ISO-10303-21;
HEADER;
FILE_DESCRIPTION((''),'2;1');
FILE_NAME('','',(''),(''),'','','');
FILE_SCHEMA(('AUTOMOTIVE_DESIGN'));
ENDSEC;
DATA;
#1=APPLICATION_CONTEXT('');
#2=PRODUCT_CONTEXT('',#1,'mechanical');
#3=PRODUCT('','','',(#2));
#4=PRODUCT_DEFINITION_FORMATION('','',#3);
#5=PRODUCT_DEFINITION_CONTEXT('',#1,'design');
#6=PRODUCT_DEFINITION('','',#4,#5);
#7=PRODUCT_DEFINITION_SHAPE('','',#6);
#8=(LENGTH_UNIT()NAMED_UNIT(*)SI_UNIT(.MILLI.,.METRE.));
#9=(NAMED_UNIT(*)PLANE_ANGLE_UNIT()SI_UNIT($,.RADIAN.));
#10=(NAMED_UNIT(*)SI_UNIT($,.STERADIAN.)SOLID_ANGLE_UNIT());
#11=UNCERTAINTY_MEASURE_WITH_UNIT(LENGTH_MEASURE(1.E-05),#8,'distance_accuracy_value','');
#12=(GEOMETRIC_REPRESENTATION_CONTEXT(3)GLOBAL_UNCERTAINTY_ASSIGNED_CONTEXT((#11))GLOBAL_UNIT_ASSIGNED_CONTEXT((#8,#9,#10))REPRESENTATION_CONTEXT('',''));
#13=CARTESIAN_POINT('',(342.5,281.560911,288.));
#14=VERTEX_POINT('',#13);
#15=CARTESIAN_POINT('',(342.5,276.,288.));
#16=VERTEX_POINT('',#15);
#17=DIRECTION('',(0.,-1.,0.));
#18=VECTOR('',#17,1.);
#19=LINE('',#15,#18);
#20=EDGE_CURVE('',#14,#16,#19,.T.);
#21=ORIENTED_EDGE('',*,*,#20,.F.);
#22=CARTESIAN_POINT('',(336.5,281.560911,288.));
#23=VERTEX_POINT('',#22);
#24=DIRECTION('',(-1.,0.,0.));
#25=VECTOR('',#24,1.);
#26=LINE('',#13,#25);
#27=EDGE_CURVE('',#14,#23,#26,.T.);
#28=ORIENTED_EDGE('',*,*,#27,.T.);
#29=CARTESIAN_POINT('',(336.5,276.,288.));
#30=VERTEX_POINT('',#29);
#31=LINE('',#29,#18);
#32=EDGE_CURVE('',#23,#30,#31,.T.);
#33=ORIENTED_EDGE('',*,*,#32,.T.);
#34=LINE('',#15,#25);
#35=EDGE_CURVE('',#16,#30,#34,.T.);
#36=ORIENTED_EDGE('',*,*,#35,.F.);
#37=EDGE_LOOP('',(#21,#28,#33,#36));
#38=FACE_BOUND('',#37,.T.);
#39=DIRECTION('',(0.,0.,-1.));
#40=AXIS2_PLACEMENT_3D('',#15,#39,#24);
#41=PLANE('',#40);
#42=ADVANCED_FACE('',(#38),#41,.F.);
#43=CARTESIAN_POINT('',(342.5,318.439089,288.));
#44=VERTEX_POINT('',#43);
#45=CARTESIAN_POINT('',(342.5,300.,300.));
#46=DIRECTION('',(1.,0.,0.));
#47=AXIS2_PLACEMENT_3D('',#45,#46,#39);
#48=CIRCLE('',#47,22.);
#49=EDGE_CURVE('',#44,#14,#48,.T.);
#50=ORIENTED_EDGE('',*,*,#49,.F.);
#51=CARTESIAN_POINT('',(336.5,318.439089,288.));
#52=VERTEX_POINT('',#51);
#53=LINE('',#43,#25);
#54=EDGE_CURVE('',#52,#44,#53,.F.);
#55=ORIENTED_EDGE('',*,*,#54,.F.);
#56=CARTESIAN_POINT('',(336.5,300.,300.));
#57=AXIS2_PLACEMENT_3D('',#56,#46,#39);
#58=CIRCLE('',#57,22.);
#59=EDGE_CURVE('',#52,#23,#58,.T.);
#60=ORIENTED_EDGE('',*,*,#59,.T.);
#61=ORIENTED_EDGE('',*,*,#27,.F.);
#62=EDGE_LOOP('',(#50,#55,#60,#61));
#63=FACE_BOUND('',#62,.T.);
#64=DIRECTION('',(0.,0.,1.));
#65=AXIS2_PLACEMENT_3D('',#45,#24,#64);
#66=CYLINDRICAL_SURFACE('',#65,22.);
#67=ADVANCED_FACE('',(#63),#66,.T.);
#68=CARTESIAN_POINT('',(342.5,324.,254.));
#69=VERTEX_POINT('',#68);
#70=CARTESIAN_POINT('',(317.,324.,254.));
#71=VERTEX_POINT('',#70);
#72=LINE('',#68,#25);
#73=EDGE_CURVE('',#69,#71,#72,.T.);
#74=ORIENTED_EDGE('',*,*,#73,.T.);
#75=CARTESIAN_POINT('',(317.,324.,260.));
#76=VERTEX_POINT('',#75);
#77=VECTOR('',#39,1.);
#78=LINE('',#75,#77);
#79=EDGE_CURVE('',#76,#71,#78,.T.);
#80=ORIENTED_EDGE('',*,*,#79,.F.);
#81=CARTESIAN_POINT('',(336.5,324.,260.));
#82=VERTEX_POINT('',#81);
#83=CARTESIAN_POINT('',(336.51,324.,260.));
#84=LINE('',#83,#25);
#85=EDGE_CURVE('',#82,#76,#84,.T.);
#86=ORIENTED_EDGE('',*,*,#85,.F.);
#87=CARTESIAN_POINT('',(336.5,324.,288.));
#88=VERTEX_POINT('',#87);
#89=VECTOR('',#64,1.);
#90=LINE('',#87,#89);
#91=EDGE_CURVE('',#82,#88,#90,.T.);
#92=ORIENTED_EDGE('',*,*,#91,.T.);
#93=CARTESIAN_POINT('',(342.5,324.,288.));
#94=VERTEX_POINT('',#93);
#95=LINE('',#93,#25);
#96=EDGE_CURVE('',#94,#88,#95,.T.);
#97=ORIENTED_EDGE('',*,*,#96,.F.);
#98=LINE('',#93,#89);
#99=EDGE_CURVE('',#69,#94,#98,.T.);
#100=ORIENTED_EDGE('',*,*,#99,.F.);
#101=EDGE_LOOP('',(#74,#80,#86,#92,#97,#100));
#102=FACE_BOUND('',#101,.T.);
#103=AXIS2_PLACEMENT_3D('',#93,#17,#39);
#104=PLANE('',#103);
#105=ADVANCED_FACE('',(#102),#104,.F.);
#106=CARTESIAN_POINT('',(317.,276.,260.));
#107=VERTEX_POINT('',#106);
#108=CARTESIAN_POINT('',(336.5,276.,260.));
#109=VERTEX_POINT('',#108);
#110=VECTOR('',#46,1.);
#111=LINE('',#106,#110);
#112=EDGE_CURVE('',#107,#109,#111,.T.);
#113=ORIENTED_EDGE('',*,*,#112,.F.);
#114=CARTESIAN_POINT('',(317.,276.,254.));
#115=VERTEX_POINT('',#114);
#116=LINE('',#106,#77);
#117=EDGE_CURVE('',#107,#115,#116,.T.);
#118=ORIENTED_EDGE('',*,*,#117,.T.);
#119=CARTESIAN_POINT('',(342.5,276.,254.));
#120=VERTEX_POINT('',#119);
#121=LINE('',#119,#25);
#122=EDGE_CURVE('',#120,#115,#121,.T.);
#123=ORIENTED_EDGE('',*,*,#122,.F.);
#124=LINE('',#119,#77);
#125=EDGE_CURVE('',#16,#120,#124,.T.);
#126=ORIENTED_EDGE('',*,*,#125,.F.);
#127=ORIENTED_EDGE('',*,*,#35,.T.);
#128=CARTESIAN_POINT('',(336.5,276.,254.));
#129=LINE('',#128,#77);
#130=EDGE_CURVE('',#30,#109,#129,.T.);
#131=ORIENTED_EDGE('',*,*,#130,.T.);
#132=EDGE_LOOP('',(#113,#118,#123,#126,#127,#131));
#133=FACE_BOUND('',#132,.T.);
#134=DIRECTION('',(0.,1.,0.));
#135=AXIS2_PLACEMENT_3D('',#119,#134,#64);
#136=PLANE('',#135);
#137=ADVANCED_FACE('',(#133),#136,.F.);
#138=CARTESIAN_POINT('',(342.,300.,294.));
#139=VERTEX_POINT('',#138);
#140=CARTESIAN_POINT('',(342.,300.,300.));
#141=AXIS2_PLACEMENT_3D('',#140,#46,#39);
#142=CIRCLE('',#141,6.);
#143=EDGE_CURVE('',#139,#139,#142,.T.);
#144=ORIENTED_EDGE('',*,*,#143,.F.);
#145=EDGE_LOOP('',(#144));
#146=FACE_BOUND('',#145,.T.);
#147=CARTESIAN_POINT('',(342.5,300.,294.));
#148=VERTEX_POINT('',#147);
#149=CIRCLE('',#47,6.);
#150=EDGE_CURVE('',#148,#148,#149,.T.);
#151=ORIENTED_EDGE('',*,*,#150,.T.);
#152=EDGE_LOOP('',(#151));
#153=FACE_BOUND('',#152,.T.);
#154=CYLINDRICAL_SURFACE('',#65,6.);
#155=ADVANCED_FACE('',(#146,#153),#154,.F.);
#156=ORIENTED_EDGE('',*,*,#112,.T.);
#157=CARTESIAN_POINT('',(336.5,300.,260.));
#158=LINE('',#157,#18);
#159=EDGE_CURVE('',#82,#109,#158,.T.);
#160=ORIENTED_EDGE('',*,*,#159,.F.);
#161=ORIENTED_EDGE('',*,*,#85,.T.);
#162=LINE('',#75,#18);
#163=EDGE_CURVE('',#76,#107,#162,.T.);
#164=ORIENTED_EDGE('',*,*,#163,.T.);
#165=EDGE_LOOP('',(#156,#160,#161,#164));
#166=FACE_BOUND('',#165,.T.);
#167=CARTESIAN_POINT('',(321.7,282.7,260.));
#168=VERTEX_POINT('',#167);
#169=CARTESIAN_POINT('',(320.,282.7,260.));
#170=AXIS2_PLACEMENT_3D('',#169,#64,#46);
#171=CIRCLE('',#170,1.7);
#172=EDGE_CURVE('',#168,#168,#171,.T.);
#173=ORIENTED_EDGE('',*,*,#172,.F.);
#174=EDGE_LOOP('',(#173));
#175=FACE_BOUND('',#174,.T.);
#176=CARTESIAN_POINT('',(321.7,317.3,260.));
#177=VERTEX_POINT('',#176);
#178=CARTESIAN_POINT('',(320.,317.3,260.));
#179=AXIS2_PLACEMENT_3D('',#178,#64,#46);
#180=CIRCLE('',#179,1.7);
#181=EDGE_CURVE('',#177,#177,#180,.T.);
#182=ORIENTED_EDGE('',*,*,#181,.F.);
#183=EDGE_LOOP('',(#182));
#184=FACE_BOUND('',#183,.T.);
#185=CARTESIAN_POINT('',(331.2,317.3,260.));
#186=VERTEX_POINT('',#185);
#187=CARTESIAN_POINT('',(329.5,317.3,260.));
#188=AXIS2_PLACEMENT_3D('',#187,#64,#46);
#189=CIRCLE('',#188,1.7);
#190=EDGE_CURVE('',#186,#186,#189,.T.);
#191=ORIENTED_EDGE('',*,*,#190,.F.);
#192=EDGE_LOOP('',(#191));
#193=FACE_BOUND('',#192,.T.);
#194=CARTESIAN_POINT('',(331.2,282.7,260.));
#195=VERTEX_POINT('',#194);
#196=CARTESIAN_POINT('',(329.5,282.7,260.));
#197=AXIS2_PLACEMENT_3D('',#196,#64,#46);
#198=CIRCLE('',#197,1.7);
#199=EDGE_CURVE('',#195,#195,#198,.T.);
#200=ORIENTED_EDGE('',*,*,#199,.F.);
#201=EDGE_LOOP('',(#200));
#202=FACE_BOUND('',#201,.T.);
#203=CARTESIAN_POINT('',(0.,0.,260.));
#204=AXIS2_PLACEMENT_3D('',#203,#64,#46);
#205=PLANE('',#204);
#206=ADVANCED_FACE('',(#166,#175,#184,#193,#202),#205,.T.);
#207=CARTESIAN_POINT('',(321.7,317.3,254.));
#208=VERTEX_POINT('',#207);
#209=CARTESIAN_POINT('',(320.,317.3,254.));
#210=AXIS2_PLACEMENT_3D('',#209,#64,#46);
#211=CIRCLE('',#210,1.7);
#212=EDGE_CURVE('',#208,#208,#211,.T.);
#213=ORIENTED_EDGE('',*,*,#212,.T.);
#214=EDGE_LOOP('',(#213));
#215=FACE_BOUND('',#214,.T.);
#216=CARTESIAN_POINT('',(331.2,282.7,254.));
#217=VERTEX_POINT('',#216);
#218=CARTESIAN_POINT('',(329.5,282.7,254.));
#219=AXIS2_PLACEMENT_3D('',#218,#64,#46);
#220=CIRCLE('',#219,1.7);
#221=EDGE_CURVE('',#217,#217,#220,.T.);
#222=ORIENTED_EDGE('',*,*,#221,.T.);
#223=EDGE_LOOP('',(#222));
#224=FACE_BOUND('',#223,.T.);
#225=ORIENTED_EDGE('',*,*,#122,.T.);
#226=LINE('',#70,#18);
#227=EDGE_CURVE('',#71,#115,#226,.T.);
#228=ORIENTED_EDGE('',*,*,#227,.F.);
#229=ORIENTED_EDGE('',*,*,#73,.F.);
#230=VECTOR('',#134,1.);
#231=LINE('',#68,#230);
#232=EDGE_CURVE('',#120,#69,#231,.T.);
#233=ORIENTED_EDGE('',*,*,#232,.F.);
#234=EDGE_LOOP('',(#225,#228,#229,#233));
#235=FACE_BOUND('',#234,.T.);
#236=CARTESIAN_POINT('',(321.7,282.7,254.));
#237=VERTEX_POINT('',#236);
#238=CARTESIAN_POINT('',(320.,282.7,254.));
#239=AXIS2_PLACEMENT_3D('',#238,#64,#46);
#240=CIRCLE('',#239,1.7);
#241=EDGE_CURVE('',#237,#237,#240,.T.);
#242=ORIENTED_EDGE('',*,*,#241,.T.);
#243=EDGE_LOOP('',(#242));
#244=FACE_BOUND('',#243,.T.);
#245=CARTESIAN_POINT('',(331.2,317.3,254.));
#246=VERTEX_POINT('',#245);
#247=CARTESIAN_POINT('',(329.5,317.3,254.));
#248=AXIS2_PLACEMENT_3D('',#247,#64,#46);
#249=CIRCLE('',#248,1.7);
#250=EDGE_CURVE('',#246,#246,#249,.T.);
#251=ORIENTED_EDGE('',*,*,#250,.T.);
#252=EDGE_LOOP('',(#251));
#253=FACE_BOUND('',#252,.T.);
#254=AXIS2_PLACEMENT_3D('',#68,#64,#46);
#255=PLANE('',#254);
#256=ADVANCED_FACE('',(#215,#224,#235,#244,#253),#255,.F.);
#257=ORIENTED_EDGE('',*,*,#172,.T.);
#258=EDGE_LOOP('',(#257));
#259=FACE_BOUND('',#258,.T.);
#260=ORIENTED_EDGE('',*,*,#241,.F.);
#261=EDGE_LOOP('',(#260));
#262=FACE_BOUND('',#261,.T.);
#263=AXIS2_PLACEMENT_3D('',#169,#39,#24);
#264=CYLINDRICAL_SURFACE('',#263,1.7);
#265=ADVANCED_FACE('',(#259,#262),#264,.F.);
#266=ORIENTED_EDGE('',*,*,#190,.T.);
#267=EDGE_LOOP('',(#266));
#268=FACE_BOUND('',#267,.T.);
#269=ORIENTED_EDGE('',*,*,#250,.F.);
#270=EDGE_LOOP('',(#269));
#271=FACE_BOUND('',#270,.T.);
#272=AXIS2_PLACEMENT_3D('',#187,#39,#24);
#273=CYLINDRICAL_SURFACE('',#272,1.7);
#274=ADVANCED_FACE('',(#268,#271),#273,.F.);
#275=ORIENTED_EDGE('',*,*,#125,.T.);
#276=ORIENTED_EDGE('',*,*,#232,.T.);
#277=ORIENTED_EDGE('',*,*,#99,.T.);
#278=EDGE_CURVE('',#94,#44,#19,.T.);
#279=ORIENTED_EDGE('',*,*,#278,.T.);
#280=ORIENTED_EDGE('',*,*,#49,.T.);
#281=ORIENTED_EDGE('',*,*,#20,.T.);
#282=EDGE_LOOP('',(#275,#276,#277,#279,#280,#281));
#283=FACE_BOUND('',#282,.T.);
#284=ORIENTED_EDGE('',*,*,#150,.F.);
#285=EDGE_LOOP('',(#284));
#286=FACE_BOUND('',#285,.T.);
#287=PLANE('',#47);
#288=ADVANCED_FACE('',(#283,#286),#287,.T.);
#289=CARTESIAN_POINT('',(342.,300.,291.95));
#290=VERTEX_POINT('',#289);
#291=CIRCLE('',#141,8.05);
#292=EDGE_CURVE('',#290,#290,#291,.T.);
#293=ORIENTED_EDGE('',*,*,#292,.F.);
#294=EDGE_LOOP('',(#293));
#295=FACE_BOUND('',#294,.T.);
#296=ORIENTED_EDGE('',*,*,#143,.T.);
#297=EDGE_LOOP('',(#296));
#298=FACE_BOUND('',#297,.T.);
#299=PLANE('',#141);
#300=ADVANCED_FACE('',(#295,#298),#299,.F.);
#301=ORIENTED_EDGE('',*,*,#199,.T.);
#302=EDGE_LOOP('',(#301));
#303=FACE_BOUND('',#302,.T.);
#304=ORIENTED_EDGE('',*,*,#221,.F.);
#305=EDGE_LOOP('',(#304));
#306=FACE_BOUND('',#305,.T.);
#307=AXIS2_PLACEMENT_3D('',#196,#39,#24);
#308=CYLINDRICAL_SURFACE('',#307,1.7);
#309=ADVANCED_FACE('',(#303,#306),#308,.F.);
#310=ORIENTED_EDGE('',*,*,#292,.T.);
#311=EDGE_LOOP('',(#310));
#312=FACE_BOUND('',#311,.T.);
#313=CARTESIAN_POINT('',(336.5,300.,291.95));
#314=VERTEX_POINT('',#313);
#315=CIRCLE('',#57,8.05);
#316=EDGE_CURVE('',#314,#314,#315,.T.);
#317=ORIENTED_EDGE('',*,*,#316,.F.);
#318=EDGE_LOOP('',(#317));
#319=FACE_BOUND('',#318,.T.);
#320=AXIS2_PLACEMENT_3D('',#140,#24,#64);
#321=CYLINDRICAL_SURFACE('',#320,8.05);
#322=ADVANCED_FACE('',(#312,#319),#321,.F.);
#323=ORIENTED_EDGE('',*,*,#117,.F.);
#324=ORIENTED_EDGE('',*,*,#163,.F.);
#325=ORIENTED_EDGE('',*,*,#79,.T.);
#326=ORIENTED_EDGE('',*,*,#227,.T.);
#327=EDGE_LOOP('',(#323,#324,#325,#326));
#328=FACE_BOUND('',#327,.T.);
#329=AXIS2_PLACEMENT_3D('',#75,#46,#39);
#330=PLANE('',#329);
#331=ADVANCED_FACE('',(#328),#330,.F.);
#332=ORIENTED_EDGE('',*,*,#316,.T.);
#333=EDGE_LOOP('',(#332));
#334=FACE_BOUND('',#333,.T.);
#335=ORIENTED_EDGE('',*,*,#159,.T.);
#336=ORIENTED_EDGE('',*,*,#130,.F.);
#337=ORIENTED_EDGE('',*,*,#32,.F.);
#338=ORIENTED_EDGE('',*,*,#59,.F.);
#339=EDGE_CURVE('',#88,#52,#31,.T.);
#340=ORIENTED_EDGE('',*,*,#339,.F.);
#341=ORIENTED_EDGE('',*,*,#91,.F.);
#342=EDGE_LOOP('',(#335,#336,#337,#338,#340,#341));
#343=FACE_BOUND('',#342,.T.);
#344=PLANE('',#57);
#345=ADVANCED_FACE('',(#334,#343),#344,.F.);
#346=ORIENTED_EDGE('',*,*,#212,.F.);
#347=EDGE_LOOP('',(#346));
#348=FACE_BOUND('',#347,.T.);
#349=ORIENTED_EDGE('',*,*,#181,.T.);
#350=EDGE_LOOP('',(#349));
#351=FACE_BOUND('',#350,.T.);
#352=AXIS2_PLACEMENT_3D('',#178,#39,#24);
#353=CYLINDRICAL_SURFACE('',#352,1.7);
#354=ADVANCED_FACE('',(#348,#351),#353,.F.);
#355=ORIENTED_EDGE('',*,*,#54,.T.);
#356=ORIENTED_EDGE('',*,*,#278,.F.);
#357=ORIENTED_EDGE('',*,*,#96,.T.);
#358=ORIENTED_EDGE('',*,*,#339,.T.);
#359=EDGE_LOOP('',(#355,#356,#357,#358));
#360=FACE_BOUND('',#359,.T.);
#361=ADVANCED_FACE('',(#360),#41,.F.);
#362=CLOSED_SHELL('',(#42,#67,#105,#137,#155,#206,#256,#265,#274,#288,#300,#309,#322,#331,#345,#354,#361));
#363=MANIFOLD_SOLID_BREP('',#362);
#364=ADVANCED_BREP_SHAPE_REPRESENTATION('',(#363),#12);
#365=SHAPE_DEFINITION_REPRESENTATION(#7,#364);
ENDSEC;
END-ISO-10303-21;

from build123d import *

# Parameters (mm, degrees)
SKETCH1_R           = 22
BOSS_EXTRUDE1_DEPTH = 6
SKETCH2_W           = 34
SKETCH2_H           = 48
BOSS_EXTRUDE2_DEPTH = 6
SKETCH3_R           = 6
CUT_EXTRUDE1_DEPTH  = 6
SKETCH4_R           = 8.05
CUT_EXTRUDE2_DEPTH  = 5.5
SKETCH5_W           = 19.51
SKETCH5_H           = 48
SKETCH5_R           = 1.7
BOSS_EXTRUDE3_DEPTH = 6


with BuildPart() as part:
    # Sketch1 → Boss-Extrude1 (new body)
    with BuildSketch(Plane(origin=(336.5, 0, 0), x_dir=(0, 0, -1), z_dir=(1, 0, 0))):
        with Locations((-300, 300)):
            Circle(SKETCH1_R)
    extrude(amount=BOSS_EXTRUDE1_DEPTH)

    # Sketch2 → Boss-Extrude2 (add)
    with BuildSketch(Plane(origin=(336.5, 0, 0), x_dir=(0, 0, -1), z_dir=(1, 0, 0))):
        with Locations((-271, 300)):
            Rectangle(SKETCH2_W, SKETCH2_H)
    extrude(amount=BOSS_EXTRUDE2_DEPTH)

    # Sketch3 → Cut-Extrude1 (cut)
    with BuildSketch(Plane(origin=(336.5, 0, 0), x_dir=(0, 0, -1), z_dir=(1, 0, 0))):
        with Locations((-300, 300)):
            Circle(SKETCH3_R)
    extrude(amount=CUT_EXTRUDE1_DEPTH, mode=Mode.SUBTRACT)

    # Sketch4 → Cut-Extrude2 (cut)
    with BuildSketch(Plane(origin=(336.5, 0, 0), x_dir=(0, 0, -1), z_dir=(1, 0, 0))):
        with Locations((-300, 300)):
            Circle(SKETCH4_R)
    extrude(amount=CUT_EXTRUDE2_DEPTH, mode=Mode.SUBTRACT)

    # Sketch5 → Boss-Extrude3 (add)
    with BuildSketch(Plane.XY.offset(254)):
        with Locations((326.755, 300)):
            Rectangle(SKETCH5_W, SKETCH5_H)
        with Locations((320, 282.7)):
            Circle(SKETCH5_R, mode=Mode.SUBTRACT)
        with Locations((320, 317.3)):
            Circle(SKETCH5_R, mode=Mode.SUBTRACT)
        with Locations((329.5, 282.7)):
            Circle(SKETCH5_R, mode=Mode.SUBTRACT)
        with Locations((329.5, 317.3)):
            Circle(SKETCH5_R, mode=Mode.SUBTRACT)
    extrude(amount=BOSS_EXTRUDE3_DEPTH)


solid = part.part
